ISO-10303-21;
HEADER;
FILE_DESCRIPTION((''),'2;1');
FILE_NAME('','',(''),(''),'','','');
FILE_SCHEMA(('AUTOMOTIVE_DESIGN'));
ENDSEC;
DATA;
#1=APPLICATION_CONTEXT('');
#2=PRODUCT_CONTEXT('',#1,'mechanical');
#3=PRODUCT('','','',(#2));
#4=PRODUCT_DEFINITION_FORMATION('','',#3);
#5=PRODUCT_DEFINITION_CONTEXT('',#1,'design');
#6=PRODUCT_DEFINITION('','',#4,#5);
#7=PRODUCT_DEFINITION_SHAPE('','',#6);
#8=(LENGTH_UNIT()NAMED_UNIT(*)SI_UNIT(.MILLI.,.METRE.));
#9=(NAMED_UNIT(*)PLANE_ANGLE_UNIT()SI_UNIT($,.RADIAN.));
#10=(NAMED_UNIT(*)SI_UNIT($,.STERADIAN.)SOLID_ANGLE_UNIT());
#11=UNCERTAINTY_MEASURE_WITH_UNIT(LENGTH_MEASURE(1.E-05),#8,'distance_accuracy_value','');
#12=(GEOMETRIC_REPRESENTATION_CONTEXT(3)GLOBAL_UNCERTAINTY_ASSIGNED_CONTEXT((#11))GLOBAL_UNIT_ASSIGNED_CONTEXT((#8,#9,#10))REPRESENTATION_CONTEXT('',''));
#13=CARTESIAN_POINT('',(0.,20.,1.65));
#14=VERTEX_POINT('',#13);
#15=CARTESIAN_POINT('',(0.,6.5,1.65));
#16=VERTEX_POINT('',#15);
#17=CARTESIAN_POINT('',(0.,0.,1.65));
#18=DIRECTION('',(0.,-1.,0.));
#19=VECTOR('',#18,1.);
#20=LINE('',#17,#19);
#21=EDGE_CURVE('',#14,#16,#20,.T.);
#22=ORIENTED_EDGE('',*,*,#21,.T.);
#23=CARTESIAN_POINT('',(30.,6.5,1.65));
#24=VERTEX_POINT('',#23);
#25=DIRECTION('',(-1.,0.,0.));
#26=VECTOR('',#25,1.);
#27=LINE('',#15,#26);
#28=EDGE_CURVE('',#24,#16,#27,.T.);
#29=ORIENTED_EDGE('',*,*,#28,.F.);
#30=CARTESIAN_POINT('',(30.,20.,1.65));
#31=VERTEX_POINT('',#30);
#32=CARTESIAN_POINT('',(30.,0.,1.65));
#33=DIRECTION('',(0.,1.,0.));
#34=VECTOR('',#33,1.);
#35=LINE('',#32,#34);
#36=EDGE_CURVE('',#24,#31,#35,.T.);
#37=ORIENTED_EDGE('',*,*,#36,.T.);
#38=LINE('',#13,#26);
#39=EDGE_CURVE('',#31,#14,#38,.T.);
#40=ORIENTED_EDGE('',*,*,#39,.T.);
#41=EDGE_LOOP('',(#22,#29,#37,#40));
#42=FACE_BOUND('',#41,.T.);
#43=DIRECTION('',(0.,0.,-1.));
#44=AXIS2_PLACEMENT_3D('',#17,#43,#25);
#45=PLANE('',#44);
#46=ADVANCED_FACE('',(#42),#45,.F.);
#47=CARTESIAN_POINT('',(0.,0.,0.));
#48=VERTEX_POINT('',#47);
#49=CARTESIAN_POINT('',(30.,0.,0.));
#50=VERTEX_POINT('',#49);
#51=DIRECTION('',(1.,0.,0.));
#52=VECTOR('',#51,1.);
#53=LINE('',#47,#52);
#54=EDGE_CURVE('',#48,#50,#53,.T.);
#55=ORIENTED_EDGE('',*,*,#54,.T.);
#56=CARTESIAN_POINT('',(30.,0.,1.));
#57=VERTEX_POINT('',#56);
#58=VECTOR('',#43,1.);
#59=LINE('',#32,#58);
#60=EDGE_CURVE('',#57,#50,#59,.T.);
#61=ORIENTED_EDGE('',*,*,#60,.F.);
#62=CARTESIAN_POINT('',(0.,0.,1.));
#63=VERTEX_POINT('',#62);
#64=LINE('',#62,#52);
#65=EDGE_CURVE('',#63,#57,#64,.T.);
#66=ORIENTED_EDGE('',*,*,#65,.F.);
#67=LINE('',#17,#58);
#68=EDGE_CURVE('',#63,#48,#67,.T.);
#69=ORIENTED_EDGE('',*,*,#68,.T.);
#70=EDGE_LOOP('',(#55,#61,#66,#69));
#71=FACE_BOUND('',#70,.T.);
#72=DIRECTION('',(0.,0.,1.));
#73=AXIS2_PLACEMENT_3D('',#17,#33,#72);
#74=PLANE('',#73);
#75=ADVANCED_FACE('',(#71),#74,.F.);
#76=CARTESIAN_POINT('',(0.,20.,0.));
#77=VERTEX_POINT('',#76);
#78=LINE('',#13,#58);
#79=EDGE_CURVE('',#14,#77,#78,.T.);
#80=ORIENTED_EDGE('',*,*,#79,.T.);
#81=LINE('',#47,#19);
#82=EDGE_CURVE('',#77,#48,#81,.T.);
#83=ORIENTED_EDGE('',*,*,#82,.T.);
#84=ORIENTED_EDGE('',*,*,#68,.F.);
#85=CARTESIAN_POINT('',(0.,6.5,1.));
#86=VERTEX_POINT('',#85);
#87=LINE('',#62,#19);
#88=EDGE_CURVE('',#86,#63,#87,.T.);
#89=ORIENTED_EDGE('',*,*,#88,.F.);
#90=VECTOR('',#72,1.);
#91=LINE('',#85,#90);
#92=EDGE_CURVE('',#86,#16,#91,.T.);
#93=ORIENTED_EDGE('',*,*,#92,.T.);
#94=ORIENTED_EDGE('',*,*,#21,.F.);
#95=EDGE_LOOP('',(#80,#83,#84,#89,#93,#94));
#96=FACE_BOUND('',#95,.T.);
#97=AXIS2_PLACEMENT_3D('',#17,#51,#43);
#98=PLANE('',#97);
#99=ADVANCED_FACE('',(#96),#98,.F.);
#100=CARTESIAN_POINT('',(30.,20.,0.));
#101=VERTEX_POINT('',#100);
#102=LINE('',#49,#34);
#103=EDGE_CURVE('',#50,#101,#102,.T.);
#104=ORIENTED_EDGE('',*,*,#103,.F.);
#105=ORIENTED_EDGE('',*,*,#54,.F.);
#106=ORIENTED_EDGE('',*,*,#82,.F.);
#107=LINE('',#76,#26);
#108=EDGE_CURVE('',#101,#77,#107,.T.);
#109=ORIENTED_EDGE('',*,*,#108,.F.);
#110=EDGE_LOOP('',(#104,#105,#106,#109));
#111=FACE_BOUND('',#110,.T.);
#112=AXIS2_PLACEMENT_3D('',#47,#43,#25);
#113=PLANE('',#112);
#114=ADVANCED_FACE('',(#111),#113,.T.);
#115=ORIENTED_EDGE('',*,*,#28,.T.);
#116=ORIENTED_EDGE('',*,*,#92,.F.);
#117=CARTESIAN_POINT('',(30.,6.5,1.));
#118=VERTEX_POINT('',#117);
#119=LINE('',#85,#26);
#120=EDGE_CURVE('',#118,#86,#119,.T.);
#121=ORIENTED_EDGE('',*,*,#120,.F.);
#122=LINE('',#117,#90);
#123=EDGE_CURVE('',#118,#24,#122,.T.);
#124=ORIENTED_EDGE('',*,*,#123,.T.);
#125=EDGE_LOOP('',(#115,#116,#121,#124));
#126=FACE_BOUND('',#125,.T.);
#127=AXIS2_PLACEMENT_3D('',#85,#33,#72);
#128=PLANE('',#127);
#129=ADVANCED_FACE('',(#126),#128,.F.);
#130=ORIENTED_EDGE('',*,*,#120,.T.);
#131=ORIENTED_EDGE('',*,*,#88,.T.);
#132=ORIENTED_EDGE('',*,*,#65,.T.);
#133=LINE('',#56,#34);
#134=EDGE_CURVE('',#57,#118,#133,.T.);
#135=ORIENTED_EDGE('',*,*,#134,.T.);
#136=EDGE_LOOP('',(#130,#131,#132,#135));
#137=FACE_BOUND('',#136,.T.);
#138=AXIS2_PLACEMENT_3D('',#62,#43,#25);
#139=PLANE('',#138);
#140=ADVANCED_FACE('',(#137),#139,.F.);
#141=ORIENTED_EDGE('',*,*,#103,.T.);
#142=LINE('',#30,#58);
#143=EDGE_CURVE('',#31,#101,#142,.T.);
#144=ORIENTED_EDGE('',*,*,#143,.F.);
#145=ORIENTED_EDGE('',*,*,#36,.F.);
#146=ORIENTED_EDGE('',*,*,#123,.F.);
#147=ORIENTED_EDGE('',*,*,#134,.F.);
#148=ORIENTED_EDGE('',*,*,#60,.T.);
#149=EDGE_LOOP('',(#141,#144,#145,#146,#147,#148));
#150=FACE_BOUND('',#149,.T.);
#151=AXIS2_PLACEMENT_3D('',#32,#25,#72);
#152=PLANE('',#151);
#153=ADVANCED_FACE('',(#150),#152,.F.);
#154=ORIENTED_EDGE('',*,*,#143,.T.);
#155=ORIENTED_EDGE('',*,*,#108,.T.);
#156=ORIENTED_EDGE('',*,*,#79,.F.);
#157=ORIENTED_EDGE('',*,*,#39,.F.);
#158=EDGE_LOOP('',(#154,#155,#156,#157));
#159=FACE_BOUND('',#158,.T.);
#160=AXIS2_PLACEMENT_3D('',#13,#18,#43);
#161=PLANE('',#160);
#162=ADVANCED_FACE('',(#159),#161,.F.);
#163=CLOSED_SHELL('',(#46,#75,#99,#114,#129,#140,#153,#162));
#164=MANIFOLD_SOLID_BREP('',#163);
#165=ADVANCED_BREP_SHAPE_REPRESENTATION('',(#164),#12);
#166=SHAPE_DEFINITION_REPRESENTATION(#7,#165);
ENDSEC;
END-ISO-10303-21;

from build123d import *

# Parameters (mm, degrees)
SKETCH_1_W          = 30
SKETCH_1_H          = 20
EXTRUDE_1_DEPTH     = 1.65
SKETCH_2_W          = 30
SKETCH_2_H          = 6.5
CUT_EXTRUDE_1_DEPTH = 0.65


with BuildPart() as part:
    # ｽｹｯﾁ1 → ﾎﾞｽ - 押し出し1 (new body)
    with BuildSketch(Plane.XY):
        with Locations((15, 10)):
            Rectangle(SKETCH_1_W, SKETCH_1_H)
    extrude(amount=EXTRUDE_1_DEPTH)

    # ｽｹｯﾁ2 → ｶｯﾄ - 押し出し1 (cut)
    with BuildSketch(Plane.XY.offset(1.65)):
        with Locations((15, 3.25)):
            Rectangle(SKETCH_2_W, SKETCH_2_H)
    extrude(amount=-CUT_EXTRUDE_1_DEPTH, mode=Mode.SUBTRACT)


solid = part.part
